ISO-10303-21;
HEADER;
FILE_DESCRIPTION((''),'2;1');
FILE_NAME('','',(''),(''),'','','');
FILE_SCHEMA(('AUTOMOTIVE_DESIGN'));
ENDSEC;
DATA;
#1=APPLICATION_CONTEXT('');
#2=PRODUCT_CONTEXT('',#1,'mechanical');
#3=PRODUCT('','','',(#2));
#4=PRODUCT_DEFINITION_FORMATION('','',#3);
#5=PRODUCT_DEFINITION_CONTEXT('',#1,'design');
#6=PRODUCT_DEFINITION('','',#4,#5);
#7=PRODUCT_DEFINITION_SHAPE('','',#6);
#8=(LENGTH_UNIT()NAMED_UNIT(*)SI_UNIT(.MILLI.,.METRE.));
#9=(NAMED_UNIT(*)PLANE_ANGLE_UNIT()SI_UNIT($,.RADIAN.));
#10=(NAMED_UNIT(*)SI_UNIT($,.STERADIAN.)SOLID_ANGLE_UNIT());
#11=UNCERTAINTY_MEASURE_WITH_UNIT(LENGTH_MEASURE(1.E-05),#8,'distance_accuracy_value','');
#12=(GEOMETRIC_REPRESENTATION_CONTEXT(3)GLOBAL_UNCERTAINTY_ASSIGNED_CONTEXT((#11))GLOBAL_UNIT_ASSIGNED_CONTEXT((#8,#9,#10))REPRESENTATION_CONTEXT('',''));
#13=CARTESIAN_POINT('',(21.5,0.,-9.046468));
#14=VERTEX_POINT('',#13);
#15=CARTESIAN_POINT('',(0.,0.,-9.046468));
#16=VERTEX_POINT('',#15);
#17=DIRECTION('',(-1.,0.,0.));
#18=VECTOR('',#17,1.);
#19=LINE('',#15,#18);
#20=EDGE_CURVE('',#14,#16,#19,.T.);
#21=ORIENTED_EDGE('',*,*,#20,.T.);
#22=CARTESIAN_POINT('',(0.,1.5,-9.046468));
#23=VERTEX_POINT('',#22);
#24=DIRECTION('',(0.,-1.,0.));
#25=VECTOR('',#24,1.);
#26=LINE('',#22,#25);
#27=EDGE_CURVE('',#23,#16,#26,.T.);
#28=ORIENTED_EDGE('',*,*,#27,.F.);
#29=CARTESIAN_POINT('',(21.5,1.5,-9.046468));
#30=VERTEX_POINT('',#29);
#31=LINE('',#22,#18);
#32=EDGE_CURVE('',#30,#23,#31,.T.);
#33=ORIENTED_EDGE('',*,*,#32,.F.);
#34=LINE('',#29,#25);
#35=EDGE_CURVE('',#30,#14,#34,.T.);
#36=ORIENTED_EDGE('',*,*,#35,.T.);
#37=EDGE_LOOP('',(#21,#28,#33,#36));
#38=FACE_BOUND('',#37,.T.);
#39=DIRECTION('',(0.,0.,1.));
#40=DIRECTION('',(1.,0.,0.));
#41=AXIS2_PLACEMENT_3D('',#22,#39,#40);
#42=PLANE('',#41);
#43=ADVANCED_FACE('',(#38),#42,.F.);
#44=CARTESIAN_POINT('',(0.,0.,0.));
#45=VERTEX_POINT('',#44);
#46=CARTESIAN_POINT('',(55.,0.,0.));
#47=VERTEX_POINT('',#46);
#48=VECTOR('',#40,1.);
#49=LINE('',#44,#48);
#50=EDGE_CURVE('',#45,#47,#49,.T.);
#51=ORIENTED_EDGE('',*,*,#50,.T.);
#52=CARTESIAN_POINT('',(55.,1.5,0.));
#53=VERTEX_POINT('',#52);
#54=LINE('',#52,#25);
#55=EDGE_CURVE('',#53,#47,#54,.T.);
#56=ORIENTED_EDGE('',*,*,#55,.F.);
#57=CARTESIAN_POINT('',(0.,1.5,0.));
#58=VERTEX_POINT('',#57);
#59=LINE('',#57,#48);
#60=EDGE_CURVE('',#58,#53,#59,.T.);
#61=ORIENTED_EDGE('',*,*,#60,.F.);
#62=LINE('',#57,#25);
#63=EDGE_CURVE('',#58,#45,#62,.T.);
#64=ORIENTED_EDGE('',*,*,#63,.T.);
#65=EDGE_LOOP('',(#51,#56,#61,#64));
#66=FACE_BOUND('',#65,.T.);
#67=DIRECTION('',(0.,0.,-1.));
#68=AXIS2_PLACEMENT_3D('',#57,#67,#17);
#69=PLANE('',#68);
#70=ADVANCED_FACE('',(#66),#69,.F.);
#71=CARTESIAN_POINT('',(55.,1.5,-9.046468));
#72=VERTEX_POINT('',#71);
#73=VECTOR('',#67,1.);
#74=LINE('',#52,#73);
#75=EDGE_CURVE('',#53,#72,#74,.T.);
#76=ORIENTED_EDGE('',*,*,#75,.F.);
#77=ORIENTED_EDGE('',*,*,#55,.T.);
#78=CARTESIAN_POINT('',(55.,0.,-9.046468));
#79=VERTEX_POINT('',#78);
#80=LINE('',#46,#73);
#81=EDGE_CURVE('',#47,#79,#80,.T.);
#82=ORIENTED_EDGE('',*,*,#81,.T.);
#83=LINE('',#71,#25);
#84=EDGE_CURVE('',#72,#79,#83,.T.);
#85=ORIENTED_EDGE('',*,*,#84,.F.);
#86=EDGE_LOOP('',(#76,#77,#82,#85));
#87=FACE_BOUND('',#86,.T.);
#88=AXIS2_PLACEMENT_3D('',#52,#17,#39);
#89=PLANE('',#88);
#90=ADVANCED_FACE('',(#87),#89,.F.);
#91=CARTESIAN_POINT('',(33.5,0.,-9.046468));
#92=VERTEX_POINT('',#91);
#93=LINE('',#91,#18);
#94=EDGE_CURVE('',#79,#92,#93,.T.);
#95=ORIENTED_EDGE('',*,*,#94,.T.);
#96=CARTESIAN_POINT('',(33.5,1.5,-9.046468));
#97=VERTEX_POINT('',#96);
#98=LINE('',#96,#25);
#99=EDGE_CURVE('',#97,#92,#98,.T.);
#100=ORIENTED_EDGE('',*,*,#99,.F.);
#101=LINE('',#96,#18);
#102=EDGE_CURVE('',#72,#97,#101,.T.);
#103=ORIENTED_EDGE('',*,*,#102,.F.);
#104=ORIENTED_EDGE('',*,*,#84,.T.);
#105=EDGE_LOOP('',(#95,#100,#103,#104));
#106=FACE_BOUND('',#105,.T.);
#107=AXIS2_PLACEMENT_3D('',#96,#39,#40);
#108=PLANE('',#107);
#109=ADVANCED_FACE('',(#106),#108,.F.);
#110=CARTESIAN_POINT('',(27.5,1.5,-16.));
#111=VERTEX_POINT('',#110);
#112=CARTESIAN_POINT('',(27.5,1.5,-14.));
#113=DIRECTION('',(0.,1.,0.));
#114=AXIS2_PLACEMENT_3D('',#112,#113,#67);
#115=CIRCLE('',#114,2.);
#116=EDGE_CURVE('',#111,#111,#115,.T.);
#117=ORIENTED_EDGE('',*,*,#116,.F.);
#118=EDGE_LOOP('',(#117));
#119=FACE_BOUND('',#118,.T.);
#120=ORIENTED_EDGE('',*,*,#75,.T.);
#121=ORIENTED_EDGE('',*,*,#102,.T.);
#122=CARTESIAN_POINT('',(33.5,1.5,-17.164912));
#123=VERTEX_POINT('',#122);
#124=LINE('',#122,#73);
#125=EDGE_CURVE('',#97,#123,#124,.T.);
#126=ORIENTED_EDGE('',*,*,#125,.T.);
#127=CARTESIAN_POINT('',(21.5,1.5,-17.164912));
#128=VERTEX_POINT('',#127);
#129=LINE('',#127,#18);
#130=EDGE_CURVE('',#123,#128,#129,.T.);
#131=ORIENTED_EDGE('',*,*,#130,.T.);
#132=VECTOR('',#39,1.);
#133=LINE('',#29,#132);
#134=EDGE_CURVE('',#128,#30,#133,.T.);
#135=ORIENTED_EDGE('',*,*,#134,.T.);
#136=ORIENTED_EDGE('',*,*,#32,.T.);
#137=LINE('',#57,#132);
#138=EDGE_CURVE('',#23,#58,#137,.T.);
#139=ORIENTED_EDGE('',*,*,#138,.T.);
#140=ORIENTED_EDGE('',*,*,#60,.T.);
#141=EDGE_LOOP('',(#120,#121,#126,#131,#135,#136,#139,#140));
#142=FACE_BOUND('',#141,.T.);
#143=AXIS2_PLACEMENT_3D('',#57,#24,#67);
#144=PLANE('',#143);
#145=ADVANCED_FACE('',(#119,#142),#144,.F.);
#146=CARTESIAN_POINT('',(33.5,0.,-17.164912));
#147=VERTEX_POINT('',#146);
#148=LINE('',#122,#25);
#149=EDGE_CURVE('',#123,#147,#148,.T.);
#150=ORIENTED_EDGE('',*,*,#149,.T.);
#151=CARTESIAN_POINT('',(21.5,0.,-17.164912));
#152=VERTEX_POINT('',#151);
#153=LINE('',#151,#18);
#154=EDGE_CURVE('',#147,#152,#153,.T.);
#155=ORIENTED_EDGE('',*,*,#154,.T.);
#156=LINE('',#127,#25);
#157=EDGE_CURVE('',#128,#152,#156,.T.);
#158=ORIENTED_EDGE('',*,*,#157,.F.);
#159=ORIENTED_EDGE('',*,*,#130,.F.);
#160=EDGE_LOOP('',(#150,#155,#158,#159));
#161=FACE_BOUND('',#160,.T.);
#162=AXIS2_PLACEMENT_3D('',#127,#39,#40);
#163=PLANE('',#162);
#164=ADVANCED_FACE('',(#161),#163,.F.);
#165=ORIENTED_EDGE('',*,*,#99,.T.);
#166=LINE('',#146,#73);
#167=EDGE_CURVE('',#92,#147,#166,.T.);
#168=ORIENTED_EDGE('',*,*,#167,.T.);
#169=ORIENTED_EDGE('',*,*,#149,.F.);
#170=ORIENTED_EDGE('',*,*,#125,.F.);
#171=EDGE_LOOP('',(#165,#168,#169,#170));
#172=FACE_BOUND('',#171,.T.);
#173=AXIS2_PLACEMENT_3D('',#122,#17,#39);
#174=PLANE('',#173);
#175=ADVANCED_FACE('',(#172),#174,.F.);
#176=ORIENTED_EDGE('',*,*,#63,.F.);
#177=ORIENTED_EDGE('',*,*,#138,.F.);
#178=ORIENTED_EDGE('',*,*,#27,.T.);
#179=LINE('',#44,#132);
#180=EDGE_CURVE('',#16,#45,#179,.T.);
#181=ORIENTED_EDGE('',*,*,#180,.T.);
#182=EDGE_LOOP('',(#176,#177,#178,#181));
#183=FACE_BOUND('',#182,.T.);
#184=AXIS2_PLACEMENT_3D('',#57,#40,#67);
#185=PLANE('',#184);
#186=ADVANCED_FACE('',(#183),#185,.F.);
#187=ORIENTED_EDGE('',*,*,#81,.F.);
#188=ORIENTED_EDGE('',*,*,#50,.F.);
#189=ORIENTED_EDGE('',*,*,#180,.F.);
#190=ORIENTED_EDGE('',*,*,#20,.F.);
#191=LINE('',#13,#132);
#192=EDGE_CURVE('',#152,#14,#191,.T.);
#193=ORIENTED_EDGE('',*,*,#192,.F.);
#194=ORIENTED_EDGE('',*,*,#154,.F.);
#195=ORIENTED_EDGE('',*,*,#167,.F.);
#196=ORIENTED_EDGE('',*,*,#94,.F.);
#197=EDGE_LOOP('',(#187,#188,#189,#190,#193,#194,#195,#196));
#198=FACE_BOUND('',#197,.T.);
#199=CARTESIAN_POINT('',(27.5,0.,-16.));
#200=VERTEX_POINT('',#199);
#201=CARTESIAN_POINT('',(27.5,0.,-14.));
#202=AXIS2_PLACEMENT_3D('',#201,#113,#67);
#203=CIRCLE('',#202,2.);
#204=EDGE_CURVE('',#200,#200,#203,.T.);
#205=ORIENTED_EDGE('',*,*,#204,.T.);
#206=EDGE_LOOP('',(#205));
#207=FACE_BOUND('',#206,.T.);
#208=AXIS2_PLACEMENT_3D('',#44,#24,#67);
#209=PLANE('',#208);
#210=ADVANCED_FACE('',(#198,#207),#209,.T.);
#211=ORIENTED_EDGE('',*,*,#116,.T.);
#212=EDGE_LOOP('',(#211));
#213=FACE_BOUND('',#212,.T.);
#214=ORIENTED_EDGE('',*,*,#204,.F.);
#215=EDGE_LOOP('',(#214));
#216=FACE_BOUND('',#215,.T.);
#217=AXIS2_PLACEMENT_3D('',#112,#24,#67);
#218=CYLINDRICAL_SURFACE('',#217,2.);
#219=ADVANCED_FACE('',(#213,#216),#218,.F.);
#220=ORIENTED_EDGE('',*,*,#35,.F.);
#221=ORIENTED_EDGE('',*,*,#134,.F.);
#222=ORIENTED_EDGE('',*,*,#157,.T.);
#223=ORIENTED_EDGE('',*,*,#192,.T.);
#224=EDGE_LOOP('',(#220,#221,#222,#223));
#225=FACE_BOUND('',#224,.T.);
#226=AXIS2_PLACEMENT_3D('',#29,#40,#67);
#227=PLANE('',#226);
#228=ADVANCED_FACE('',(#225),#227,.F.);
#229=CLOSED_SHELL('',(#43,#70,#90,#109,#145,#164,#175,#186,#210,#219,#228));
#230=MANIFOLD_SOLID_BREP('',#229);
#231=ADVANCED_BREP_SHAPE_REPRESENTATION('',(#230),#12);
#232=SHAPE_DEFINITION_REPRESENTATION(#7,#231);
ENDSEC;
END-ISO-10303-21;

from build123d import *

# Parameters (mm, degrees)
SKETCH_1_R      = 2
EXTRUDE_1_DEPTH = 1.5


with BuildPart() as part:
    # Эскиз1 → Бобышка-Вытянуть1 (new body)
    with BuildSketch(Plane(origin=(0, 0, 0), x_dir=(1, 0, 0), z_dir=(0, 1, 0))):
        Polygon((0, 9.046468405), (21.5, 9.046468405), (21.5, 17.164912407), (33.5, 17.164912407), (33.5, 9.046468405), (55, 9.046468405), (55, 0), (0, 0), align=None)
        with Locations((27.5, 14)):
            Circle(SKETCH_1_R, mode=Mode.SUBTRACT)
    extrude(amount=EXTRUDE_1_DEPTH)


solid = part.part
